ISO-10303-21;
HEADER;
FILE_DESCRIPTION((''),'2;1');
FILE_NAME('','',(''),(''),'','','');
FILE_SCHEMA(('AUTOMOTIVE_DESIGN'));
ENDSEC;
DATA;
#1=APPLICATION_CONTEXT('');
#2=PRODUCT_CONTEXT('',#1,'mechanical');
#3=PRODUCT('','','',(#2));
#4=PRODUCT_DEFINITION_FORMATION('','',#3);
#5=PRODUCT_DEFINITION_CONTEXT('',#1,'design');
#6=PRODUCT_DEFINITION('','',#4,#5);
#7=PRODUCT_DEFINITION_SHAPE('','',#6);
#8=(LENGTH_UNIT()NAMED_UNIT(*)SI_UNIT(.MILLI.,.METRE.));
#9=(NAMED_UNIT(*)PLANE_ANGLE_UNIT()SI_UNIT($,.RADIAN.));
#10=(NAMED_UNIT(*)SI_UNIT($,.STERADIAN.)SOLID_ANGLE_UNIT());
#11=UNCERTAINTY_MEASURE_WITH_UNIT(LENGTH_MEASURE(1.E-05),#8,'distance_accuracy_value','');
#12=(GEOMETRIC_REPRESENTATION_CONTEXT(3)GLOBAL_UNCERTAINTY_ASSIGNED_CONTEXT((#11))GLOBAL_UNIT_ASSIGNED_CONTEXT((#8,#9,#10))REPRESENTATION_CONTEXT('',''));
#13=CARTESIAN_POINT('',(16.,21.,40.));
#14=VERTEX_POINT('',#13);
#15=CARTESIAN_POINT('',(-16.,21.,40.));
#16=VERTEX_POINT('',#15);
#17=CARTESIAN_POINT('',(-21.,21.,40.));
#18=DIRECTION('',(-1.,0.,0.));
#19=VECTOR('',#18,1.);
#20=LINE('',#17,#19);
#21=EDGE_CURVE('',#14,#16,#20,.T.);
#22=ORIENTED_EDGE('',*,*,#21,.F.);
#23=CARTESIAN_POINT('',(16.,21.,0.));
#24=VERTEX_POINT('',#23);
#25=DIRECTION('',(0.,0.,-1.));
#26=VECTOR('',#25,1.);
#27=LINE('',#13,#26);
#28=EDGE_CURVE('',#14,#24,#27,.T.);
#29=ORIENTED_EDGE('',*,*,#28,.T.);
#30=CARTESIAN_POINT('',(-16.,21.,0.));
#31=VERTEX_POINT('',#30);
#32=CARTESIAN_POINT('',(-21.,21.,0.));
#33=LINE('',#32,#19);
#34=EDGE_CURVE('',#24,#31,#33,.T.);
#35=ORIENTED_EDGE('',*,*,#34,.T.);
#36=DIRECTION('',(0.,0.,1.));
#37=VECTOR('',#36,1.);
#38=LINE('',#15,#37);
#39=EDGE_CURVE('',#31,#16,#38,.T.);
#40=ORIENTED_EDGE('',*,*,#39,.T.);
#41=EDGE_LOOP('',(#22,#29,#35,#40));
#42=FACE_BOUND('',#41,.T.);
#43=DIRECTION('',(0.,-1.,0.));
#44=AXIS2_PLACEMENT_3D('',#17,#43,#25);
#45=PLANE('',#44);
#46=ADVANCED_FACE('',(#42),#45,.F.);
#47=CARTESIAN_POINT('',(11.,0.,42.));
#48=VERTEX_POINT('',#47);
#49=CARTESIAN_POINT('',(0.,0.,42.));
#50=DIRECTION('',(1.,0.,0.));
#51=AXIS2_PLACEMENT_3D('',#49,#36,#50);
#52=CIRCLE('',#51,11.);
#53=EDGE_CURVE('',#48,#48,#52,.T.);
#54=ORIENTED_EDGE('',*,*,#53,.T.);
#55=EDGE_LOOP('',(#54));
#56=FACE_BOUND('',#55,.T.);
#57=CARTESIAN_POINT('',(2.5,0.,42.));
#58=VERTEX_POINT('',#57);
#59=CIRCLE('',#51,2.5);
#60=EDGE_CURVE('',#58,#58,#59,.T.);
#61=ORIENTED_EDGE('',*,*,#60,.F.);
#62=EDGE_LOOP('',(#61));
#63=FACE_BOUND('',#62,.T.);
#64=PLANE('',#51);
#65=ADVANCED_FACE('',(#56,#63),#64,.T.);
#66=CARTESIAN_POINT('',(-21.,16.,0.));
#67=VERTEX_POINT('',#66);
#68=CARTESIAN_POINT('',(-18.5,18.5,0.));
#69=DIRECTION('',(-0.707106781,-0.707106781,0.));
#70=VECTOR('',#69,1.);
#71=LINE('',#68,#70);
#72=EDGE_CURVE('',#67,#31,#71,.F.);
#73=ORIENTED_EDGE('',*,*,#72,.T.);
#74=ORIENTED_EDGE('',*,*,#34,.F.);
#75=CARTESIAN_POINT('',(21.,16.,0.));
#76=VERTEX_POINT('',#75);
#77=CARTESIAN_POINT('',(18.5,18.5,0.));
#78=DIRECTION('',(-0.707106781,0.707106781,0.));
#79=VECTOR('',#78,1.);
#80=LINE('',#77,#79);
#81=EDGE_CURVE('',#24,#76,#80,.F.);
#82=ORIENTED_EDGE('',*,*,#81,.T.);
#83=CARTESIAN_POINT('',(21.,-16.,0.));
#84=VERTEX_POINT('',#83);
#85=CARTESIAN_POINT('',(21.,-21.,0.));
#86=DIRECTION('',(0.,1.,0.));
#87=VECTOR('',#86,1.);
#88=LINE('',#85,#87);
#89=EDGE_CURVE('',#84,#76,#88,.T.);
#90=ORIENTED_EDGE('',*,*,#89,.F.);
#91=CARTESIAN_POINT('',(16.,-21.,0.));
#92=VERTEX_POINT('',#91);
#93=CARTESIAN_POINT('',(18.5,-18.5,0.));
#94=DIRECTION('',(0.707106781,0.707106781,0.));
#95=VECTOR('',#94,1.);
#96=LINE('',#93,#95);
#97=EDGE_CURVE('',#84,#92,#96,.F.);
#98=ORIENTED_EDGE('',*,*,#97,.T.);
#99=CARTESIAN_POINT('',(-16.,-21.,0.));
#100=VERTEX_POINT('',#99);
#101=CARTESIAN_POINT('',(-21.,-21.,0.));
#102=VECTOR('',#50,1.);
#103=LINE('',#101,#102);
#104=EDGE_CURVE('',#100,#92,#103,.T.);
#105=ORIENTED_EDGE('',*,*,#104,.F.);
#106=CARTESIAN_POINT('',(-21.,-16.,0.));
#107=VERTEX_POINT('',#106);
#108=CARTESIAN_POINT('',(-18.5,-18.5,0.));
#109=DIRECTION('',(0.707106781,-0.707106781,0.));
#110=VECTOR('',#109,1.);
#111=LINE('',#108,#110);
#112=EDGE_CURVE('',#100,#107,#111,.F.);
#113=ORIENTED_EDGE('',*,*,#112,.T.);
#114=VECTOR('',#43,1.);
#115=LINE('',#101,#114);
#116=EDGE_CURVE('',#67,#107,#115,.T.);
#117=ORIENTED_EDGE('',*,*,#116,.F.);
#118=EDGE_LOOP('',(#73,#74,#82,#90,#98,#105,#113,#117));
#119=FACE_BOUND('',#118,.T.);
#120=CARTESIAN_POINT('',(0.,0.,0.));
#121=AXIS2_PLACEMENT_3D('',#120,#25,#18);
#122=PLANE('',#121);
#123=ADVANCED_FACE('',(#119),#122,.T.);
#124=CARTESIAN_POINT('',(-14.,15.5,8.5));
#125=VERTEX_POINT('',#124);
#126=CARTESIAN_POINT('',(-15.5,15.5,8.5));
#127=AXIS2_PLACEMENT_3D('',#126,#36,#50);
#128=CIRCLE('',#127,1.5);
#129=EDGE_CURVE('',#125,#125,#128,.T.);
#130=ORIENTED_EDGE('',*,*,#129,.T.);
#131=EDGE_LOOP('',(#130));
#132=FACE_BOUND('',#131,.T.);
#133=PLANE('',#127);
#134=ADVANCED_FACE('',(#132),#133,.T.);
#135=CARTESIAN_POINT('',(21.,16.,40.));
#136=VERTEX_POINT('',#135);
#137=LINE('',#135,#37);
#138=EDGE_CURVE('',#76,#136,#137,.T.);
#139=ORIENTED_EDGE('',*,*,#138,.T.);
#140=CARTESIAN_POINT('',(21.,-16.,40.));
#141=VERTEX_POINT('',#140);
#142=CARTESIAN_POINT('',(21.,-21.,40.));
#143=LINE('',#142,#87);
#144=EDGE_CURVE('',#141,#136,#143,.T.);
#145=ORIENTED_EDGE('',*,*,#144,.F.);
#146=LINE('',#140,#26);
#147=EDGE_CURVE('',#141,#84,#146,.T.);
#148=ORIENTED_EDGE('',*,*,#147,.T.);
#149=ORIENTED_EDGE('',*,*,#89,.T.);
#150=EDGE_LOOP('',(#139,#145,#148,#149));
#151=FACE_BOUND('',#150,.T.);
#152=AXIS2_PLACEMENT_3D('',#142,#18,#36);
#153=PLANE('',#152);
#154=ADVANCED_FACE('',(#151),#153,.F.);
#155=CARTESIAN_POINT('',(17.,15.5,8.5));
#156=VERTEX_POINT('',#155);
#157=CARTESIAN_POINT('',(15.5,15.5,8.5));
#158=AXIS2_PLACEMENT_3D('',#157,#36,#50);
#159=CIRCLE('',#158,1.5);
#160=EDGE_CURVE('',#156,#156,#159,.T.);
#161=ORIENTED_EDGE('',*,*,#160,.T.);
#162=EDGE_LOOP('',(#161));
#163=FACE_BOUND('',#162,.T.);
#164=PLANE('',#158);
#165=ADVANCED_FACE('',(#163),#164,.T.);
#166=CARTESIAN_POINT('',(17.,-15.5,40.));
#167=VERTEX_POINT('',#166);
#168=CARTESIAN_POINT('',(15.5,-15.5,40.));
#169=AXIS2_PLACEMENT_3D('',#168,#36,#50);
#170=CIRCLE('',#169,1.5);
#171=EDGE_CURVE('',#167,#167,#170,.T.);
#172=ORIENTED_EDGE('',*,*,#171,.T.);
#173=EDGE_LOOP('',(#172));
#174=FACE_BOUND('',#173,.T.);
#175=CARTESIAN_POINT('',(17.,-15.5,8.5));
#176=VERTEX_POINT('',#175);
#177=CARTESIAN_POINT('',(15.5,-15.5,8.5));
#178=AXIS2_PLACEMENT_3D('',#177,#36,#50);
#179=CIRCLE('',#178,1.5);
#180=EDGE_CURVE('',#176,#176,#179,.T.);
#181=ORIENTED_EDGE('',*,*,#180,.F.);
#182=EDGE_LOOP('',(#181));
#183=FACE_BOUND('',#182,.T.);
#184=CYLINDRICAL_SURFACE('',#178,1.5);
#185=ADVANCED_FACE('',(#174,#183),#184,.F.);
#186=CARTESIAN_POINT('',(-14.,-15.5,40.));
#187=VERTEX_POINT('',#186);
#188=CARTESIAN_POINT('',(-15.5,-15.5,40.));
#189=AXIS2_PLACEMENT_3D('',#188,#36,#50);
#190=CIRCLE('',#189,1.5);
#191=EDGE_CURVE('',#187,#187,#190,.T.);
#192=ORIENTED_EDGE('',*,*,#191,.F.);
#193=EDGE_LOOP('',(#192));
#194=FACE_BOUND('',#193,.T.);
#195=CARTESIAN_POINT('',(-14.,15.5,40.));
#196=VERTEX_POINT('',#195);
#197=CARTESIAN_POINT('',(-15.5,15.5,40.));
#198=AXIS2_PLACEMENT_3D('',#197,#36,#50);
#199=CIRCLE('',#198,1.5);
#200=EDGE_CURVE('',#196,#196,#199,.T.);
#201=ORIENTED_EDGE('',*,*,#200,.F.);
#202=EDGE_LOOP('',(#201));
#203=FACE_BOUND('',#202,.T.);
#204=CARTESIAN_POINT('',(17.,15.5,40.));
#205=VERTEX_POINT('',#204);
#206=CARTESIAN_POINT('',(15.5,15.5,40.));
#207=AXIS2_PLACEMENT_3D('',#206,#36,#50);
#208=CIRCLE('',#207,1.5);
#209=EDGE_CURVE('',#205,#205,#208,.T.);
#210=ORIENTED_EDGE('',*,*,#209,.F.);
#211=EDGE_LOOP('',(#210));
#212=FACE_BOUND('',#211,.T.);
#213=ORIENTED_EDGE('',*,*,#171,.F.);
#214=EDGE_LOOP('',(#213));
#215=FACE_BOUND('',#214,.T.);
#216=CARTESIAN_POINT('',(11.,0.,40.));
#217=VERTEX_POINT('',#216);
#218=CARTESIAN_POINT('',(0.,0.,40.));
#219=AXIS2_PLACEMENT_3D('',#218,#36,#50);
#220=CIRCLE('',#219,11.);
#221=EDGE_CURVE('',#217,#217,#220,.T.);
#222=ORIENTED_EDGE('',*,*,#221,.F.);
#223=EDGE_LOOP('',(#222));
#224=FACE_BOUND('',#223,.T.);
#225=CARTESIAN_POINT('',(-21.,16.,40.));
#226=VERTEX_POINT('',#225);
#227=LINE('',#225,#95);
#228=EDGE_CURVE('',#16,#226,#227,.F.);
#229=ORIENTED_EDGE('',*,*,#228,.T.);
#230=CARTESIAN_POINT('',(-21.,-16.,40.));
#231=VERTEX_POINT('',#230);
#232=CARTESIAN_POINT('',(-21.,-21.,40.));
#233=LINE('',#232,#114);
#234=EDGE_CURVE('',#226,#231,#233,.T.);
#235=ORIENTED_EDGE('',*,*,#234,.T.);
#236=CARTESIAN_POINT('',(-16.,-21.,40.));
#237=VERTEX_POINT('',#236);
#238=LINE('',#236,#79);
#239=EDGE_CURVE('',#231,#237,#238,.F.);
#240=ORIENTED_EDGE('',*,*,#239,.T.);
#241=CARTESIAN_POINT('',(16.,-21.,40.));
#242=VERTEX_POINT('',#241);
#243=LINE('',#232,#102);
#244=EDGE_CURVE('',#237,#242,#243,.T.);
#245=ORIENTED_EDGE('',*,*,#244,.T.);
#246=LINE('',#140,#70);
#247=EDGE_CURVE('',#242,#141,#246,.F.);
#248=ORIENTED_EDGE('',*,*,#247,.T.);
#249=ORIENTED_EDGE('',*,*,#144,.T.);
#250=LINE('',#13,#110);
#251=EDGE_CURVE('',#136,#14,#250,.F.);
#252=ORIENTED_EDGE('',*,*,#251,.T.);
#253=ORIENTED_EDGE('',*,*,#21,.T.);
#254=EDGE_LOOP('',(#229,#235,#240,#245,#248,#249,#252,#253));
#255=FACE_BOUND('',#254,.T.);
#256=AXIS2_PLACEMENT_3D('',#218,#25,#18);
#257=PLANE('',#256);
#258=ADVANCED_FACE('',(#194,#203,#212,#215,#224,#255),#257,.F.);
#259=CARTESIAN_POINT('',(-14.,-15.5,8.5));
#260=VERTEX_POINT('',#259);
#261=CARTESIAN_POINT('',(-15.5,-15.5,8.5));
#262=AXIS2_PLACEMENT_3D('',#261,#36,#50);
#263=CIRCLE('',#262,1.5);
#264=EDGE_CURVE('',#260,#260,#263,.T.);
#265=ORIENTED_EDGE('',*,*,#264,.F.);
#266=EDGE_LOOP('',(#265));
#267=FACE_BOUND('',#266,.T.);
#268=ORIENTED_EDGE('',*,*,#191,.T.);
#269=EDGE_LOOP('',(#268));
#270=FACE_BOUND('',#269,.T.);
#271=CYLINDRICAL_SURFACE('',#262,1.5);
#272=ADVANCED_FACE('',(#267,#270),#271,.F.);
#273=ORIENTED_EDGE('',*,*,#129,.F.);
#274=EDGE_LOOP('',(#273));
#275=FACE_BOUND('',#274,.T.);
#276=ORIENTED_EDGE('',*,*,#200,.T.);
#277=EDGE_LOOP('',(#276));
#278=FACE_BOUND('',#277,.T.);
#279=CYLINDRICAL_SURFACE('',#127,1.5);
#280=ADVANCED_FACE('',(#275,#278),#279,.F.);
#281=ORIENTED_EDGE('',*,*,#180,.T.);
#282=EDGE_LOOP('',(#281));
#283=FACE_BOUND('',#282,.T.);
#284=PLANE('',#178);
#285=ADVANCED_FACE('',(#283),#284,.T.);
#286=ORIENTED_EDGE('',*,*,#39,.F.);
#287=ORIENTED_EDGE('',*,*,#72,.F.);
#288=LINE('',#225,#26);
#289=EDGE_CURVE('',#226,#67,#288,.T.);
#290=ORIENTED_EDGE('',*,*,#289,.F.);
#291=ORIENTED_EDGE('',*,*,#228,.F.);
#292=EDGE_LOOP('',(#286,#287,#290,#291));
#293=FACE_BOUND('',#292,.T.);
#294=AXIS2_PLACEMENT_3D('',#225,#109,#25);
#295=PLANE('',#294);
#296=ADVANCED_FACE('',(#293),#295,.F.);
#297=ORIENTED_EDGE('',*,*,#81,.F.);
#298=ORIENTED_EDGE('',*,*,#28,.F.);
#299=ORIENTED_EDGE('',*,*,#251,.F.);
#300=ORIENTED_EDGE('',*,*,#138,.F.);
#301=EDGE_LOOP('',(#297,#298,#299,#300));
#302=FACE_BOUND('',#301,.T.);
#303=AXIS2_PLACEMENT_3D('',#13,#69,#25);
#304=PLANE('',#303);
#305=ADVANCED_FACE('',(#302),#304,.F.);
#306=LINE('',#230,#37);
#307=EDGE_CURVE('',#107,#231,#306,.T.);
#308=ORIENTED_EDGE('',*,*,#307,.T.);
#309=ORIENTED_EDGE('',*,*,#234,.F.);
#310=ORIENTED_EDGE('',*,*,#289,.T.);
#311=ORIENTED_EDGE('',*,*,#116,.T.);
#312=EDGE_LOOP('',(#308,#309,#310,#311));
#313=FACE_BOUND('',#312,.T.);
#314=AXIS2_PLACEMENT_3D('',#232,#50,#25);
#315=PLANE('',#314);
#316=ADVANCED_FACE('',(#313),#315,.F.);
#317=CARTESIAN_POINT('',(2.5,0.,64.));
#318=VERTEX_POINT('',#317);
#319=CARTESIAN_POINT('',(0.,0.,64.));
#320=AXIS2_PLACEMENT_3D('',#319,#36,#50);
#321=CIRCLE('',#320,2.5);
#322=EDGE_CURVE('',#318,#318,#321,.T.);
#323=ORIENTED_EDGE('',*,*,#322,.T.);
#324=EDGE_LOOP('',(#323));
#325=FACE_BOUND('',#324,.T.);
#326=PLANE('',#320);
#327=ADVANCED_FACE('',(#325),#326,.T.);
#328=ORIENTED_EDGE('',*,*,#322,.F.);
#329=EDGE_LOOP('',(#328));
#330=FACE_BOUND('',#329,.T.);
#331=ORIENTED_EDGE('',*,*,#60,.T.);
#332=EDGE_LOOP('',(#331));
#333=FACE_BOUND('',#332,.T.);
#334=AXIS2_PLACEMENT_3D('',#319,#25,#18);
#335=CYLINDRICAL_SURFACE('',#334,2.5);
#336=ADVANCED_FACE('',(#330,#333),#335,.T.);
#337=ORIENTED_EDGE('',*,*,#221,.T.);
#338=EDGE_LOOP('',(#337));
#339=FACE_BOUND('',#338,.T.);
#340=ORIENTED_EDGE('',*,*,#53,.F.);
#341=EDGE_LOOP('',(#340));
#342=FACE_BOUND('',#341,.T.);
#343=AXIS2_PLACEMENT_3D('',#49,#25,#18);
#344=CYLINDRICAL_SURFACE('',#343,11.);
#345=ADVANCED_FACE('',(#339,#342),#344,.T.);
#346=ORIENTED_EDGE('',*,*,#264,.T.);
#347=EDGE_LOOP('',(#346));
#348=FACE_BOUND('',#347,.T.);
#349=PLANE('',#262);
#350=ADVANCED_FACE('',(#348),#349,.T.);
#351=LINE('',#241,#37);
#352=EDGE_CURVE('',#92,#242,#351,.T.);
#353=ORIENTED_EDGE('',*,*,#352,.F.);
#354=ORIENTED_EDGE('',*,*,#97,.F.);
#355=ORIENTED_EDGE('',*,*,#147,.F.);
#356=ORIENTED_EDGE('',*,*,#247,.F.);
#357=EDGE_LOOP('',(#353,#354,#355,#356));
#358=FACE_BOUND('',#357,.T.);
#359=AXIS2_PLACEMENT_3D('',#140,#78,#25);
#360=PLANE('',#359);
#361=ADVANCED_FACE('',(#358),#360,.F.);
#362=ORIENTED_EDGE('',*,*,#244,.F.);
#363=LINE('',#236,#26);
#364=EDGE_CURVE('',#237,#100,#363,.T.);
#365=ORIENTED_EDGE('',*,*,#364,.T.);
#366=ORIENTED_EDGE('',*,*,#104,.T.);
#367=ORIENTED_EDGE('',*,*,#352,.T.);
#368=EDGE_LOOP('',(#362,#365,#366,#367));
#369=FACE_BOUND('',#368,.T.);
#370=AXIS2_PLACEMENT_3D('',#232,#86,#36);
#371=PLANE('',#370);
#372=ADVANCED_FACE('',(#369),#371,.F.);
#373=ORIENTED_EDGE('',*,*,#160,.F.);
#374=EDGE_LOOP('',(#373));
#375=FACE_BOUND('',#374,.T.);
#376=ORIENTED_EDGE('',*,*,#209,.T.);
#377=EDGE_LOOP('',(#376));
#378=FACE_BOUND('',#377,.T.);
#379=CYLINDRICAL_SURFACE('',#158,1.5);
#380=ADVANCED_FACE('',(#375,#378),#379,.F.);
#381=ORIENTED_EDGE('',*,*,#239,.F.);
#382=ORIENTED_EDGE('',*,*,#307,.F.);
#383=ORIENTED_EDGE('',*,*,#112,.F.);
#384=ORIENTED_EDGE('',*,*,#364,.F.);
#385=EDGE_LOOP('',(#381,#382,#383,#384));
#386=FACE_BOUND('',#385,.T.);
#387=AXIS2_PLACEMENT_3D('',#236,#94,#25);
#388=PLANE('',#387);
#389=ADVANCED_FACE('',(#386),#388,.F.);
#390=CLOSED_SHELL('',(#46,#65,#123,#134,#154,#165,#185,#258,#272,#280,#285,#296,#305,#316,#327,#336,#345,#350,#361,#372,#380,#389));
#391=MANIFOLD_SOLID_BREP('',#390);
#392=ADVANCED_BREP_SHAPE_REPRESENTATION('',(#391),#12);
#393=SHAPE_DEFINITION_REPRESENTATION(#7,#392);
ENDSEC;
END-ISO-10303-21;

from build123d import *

# Parameters (mm, degrees)
SKETCH_1_W          = 42
SKETCH_1_H          = 42
EXTRUDE_1_DEPTH     = 40
SKETCH_2_R          = 11
EXTRUDE_2_DEPTH     = 2
SKETCH_3_R          = 2.5
EXTRUDE_5_DEPTH     = 22
SKETCH_4_R          = 1.5
CUT_EXTRUDE_1_DEPTH = 31.5
CHAMFER_2_SIZE      = 5


with BuildPart() as part:
    # ｽｹｯﾁ1 → ﾎﾞｽ - 押し出し1 (new body)
    with BuildSketch(Plane.XY):
        Rectangle(SKETCH_1_W, SKETCH_1_H)
    extrude(amount=EXTRUDE_1_DEPTH)

    # ｽｹｯﾁ2 → ﾎﾞｽ - 押し出し2 (add)
    with BuildSketch(Plane.XY.offset(40)):
        Circle(SKETCH_2_R)
    extrude(amount=EXTRUDE_2_DEPTH)

    # ｽｹｯﾁ3 → ﾎﾞｽ - 押し出し5 (add)
    with BuildSketch(Plane.XY.offset(42)):
        Circle(SKETCH_3_R)
    extrude(amount=EXTRUDE_5_DEPTH)

    # ｽｹｯﾁ4 → ｶｯﾄ - 押し出し1 (cut)
    with BuildSketch(Plane.XY.offset(40)):
        with Locations((-15.5, 15.5)):
            Circle(SKETCH_4_R)
        with Locations((15.5, 15.5)):
            Circle(SKETCH_4_R)
        with Locations((15.5, -15.5)):
            Circle(SKETCH_4_R)
        with Locations((-15.5, -15.5)):
            Circle(SKETCH_4_R)
    extrude(amount=-CUT_EXTRUDE_1_DEPTH, mode=Mode.SUBTRACT)

    # 面取り2
    chamfer_2_edges = [part.edges().sort_by_distance(p)[0] for p in [
        (21, -21, 20),
        (-21, -21, 20),
        (-21, 21, 20),
        (21, 21, 20),
    ]]
    chamfer(chamfer_2_edges, length=CHAMFER_2_SIZE)


solid = part.part
